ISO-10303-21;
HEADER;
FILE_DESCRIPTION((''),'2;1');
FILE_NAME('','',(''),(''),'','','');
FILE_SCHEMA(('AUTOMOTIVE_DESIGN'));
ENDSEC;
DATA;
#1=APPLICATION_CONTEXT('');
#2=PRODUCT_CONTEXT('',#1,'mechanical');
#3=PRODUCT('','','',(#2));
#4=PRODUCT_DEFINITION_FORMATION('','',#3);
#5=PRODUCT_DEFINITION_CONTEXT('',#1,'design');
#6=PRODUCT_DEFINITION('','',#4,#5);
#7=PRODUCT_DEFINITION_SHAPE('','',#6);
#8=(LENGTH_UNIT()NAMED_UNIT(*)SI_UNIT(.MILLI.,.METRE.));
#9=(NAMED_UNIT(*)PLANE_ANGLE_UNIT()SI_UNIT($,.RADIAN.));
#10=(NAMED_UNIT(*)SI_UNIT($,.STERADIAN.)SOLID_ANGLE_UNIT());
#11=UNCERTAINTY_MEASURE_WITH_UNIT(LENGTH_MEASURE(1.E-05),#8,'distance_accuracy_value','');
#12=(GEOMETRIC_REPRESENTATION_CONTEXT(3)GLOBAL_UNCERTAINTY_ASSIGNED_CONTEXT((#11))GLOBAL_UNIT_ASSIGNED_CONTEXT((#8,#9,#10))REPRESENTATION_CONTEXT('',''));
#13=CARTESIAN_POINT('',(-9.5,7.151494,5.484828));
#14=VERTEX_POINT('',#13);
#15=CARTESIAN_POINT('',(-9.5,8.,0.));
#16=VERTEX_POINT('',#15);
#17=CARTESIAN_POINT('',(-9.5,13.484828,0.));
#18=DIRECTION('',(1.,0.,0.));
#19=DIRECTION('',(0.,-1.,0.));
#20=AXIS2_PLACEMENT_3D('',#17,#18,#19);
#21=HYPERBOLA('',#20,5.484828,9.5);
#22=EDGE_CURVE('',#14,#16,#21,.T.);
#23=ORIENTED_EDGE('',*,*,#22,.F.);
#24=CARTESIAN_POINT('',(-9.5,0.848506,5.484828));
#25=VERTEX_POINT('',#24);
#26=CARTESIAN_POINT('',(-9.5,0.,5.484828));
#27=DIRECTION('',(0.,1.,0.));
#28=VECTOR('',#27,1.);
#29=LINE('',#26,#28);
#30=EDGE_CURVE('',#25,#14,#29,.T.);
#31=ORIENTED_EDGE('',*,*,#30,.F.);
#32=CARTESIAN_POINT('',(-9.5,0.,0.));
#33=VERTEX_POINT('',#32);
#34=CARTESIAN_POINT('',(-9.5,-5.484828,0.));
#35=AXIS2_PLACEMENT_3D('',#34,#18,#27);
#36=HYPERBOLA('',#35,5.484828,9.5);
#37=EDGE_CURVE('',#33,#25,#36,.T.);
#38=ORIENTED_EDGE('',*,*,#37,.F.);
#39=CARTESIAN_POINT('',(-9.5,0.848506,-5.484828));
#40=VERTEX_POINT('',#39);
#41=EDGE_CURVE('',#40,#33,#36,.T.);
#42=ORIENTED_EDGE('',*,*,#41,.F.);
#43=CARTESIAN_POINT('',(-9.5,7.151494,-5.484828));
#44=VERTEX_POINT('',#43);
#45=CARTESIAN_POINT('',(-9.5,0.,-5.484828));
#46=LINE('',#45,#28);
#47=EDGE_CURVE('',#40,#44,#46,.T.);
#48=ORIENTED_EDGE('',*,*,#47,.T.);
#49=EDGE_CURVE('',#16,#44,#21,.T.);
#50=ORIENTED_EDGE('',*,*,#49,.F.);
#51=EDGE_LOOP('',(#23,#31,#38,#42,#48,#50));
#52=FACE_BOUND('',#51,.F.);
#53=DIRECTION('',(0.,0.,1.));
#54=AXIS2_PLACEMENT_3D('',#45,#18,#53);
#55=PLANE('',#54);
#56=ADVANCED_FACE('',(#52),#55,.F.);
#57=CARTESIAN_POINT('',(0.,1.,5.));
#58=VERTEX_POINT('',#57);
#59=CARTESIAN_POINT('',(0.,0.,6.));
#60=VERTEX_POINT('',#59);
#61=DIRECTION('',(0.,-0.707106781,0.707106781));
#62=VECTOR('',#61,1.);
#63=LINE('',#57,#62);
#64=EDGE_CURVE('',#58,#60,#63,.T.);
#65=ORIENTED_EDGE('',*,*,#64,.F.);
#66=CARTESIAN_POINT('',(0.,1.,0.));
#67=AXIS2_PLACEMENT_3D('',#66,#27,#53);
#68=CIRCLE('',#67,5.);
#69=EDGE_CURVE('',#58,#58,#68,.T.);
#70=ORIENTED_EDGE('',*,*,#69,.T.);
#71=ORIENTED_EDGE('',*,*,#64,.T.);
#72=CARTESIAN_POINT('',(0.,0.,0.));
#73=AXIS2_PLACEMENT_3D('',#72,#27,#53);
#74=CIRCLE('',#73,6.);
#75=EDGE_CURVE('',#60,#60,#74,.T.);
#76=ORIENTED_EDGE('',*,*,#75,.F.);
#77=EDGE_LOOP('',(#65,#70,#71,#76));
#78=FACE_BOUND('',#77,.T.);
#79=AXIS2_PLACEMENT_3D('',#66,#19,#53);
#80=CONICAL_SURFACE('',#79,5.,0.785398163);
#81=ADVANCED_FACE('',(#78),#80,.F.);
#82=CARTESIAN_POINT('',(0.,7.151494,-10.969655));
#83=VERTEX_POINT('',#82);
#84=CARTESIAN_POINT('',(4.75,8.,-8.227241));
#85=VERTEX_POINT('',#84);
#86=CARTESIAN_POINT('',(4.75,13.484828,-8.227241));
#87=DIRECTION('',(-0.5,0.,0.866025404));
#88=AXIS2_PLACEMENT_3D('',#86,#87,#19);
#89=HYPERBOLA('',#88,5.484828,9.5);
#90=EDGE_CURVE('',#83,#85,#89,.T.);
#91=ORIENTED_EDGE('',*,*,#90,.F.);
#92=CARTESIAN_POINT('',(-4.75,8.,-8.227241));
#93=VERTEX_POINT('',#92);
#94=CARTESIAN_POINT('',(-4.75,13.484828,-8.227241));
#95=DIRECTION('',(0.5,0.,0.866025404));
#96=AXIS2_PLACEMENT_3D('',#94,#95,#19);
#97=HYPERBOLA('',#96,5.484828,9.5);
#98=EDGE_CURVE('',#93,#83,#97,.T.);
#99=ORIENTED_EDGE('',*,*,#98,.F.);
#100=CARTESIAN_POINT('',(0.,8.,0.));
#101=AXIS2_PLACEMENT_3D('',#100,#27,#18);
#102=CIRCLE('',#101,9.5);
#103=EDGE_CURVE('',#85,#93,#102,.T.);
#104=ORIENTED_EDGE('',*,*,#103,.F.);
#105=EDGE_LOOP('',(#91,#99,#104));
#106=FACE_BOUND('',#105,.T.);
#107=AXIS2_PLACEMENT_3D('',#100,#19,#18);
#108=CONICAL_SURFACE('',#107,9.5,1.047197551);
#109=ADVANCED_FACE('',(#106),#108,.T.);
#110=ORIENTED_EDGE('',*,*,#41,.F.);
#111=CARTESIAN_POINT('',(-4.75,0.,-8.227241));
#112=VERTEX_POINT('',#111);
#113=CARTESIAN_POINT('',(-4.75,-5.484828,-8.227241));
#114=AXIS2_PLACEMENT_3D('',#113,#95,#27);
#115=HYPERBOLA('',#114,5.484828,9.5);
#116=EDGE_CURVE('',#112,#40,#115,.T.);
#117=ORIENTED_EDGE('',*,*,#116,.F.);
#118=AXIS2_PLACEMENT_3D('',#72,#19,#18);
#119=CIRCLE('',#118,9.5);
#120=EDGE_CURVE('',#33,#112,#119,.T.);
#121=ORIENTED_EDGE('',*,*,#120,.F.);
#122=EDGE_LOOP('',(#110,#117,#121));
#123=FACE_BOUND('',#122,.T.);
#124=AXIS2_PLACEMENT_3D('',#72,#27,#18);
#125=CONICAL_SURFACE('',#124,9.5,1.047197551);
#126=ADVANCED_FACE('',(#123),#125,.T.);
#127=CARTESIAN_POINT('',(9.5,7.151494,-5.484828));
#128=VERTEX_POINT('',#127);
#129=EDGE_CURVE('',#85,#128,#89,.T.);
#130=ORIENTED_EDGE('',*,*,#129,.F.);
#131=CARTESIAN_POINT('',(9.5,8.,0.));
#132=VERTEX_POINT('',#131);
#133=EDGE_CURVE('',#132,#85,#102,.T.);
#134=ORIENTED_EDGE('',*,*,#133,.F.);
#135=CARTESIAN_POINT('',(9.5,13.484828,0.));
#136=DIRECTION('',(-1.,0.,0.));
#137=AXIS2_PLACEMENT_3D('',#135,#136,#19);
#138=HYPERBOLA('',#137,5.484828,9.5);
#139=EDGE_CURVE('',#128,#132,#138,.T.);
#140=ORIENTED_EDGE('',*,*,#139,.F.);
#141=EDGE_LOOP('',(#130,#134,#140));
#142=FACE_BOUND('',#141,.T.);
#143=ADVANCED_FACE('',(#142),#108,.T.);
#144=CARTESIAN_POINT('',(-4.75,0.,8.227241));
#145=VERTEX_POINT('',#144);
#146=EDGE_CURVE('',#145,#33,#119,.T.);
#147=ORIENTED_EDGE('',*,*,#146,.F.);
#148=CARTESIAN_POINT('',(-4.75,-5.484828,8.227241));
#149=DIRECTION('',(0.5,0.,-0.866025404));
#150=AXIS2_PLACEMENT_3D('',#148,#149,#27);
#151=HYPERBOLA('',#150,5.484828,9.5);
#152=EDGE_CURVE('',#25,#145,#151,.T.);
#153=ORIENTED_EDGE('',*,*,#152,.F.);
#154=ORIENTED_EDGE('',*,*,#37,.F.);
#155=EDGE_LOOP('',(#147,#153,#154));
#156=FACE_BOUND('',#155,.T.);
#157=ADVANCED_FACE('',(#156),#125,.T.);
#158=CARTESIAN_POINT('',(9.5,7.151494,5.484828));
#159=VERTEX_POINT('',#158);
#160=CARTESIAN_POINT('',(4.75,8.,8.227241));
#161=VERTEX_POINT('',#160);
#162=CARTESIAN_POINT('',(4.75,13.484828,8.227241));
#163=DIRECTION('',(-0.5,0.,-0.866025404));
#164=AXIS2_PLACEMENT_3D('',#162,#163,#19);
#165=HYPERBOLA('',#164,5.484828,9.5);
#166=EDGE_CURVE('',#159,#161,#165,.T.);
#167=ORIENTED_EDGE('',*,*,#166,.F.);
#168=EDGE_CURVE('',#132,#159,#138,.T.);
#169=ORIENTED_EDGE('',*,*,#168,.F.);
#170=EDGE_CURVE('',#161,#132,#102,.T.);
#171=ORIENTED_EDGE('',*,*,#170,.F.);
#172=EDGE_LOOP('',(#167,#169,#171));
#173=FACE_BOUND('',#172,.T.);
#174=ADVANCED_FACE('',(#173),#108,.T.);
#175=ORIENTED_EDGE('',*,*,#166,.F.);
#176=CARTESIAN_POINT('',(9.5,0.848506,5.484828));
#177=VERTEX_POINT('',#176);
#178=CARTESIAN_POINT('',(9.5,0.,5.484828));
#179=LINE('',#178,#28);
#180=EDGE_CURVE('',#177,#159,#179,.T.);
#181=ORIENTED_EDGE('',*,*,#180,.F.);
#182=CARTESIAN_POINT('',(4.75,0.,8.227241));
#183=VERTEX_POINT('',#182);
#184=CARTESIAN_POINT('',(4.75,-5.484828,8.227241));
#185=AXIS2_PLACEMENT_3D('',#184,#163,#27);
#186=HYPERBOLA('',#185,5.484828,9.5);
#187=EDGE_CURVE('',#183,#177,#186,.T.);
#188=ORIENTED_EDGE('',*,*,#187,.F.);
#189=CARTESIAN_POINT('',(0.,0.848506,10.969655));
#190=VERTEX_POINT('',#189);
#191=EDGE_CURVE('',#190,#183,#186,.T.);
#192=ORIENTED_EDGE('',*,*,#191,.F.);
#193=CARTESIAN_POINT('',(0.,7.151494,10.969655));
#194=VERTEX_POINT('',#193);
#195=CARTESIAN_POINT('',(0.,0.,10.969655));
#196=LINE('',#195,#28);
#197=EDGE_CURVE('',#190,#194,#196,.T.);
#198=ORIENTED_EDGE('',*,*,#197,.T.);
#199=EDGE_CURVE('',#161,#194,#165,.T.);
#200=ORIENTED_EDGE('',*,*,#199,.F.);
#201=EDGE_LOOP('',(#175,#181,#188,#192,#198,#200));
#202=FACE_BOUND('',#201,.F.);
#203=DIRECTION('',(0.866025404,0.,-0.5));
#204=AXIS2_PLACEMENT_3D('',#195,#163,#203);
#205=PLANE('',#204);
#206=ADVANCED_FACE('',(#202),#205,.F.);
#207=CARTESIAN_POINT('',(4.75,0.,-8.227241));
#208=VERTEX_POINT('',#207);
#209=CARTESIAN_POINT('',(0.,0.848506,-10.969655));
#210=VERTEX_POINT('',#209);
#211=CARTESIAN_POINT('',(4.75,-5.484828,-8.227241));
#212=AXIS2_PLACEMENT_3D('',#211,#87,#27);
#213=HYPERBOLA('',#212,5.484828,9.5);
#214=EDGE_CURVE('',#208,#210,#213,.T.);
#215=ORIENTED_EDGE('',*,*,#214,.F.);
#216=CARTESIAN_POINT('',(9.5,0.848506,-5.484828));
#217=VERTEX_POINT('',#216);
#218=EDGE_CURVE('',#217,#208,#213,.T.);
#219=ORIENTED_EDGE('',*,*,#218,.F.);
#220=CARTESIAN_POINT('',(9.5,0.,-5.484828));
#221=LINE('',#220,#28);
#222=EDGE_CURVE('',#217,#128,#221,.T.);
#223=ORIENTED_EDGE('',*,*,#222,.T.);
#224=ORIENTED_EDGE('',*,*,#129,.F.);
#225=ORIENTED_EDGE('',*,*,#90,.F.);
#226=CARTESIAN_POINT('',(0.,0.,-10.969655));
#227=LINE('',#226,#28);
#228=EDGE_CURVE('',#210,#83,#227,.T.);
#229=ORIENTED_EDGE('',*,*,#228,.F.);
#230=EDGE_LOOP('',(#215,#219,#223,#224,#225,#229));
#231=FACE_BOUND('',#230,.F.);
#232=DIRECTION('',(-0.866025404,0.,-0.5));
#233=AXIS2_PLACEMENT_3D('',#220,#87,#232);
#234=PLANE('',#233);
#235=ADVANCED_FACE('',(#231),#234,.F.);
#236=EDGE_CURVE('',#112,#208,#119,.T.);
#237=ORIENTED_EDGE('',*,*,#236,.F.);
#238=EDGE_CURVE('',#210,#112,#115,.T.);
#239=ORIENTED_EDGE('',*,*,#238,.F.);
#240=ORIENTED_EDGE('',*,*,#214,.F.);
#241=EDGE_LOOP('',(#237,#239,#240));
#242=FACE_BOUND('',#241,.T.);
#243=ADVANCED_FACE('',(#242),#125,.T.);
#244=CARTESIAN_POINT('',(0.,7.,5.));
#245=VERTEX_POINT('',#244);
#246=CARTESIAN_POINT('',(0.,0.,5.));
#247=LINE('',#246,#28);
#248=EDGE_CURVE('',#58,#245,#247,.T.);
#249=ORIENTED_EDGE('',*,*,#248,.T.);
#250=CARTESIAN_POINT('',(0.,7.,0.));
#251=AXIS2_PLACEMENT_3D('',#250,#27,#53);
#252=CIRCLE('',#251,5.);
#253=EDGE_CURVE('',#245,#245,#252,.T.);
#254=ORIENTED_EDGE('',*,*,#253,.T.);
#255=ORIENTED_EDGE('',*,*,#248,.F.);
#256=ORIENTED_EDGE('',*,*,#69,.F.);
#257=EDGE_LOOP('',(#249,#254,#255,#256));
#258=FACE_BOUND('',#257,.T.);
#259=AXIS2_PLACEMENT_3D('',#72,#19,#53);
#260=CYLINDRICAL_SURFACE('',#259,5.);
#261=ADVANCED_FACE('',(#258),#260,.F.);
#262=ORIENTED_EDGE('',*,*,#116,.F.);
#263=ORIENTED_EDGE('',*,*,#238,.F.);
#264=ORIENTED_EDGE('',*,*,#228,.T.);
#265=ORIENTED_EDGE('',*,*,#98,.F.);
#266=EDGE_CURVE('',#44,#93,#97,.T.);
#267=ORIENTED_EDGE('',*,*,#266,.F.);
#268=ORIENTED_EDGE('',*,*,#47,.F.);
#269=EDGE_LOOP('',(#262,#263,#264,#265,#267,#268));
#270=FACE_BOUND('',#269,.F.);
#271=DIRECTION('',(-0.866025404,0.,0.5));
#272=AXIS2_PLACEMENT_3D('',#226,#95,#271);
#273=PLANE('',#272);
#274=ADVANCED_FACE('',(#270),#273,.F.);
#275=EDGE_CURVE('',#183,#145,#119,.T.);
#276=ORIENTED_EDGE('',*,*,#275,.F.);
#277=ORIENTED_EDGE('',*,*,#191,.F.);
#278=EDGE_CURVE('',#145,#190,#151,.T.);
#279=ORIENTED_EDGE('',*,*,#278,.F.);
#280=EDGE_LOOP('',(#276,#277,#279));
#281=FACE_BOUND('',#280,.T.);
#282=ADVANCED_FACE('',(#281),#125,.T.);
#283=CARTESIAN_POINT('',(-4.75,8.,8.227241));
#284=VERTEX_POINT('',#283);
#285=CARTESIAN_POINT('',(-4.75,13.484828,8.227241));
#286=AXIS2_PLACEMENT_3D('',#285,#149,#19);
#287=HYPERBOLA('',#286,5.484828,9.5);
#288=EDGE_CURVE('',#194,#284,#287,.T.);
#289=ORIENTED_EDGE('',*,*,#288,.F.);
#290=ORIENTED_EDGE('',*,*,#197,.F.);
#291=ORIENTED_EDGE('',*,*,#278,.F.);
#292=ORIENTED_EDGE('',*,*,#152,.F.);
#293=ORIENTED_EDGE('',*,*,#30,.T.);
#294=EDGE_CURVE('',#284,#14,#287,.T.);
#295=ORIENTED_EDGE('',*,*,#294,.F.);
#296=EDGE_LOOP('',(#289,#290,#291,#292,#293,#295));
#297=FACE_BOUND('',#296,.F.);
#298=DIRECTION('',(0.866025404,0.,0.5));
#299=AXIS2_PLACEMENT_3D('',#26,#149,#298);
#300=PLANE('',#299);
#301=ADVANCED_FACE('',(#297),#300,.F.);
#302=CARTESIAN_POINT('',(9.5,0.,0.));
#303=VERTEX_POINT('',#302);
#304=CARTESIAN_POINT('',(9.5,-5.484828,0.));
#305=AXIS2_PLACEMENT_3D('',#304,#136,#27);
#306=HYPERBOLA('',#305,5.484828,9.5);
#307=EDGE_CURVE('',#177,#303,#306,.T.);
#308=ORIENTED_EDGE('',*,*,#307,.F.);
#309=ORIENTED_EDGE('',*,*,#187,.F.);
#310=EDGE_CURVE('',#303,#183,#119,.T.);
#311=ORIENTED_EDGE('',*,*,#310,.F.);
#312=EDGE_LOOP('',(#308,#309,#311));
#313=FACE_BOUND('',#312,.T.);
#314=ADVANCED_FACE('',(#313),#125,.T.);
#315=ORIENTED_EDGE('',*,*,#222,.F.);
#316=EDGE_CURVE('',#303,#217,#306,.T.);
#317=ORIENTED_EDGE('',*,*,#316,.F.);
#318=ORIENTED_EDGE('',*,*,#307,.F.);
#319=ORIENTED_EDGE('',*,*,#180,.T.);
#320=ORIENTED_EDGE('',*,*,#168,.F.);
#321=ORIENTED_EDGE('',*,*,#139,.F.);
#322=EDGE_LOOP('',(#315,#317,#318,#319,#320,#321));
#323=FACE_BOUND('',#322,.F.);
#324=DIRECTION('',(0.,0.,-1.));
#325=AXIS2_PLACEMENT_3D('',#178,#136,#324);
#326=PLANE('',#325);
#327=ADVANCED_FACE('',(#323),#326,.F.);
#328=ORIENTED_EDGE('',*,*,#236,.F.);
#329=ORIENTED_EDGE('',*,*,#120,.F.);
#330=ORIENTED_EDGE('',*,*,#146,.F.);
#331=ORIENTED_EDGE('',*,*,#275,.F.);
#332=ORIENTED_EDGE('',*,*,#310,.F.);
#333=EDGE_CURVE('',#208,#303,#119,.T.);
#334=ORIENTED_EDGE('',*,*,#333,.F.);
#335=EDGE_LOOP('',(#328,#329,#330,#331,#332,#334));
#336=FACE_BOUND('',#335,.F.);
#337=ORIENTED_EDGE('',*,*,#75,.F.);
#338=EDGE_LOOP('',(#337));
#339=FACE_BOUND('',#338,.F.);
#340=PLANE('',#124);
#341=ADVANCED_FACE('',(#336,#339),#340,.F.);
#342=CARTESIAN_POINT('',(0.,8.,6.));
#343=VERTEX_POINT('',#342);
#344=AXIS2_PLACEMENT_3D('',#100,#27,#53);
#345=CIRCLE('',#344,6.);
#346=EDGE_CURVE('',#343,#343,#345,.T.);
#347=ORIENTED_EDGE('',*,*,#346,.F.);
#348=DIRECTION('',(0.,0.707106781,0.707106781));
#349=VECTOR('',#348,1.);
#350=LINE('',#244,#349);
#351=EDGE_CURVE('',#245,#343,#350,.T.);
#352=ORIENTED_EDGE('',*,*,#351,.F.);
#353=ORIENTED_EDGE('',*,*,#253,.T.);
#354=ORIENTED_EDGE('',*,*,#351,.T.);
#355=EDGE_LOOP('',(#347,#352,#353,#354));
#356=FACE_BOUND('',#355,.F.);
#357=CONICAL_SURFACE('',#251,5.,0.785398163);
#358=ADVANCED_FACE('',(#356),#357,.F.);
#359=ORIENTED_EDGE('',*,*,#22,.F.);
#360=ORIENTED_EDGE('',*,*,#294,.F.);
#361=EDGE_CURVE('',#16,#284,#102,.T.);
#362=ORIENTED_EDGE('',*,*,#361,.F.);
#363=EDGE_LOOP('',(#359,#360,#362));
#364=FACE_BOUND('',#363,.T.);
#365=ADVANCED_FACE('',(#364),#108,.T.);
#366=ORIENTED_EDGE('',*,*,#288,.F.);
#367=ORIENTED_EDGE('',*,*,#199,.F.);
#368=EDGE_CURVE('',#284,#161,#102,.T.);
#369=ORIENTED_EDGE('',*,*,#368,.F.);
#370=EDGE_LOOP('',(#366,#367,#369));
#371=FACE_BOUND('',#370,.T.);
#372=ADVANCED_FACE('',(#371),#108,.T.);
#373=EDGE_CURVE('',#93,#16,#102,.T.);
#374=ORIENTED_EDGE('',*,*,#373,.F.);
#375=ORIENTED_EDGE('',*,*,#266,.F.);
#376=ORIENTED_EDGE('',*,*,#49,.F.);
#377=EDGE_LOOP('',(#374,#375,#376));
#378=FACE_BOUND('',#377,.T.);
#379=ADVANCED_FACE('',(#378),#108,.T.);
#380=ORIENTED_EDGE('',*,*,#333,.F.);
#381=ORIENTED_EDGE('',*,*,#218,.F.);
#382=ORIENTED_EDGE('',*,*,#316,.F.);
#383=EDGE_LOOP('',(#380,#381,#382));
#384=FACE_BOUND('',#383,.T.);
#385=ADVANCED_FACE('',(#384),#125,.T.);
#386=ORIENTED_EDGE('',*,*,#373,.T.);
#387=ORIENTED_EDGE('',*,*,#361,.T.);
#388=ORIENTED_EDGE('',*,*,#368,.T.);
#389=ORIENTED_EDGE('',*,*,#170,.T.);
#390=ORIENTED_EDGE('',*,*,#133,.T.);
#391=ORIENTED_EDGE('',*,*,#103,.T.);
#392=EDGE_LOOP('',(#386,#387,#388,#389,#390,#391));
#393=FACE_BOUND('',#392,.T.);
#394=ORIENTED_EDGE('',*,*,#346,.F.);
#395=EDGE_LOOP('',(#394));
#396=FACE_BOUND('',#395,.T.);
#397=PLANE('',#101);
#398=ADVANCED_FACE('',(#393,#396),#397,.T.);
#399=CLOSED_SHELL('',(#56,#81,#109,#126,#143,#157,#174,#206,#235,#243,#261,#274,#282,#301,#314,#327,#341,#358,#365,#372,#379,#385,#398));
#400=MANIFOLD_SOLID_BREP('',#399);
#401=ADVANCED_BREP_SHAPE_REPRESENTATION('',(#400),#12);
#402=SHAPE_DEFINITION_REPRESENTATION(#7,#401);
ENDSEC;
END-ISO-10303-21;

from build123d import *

# Parameters (mm, degrees)
SKETCH1_R           = 5
BOSS_EXTRUDE1_DEPTH = 8
CHAMFER1_SIZE       = 1
SKETCH2_OUTSIDE_W   = 54.734
SKETCH2_OUTSIDE_H   = 57.674
SKETCH2_OUTSIDE_R   = 9.5
CUT_EXTRUDE1_DEPTH  = 8
CUT_EXTRUDE1_DRAFT  = -60
SKETCH3_OUTSIDE_W   = 54.734
SKETCH3_OUTSIDE_H   = 57.674
SKETCH3_OUTSIDE_R   = 9.5
CUT_EXTRUDE2_DEPTH  = 8
CUT_EXTRUDE2_DRAFT  = -60


with BuildPart() as part:
    # Sketch1 → Boss-Extrude1 (new body)
    with BuildSketch(Plane(origin=(0, 0, 0), x_dir=(1, 0, 0), z_dir=(0, 1, 0))):
        Polygon((9.5, -5.484827557), (9.5, 5.484827557), (0, 10.969655115), (-9.5, 5.484827557), (-9.5, -5.484827557), (0, -10.969655115), align=None)
        with Locations(Location((0, 0, 0), (0, 0, 270))):
            Circle(SKETCH1_R, mode=Mode.SUBTRACT)
    extrude(amount=BOSS_EXTRUDE1_DEPTH)

    # Chamfer1
    chamfer1_edges = [part.edges().sort_by_distance(p)[0] for p in [
        (0, 0, -5),
        (0, 8, -5),
    ]]
    chamfer(chamfer1_edges, length=CHAMFER1_SIZE)


with BuildPart() as cut_extrude1_tool:
    # Sketch2 outside → Cut-Extrude1 (with draft: the straight prism first)
    with BuildSketch(Plane(origin=(0, 8, 0), x_dir=(1, 0, 0), z_dir=(0, 1, 0))):
        Rectangle(SKETCH2_OUTSIDE_W, SKETCH2_OUTSIDE_H)
        Circle(SKETCH2_OUTSIDE_R, mode=Mode.SUBTRACT)
    extrude(amount=-CUT_EXTRUDE1_DEPTH)
    # Cut-Extrude1: the draft: its side faces are tilted about the plane it starts from
    cut_extrude1_sides = [cut_extrude1_tool.faces().sort_by_distance(p)[0] for p in [
        (0, 4, 28.837),
        (27.367, 4, 0),
        (0, 4, -28.837),
        (-27.367, 4, 0),
        (-9.5, 4, 0),
    ]]
    draft(cut_extrude1_sides, Plane(origin=(0, 8, 0), x_dir=(1, 0, 0), z_dir=(0, 1, 0)), CUT_EXTRUDE1_DRAFT)


with BuildPart() as part_1:
    add(part.part)

    # Cut-Extrude1: cut by cut_extrude1_tool
    add(cut_extrude1_tool.part, mode=Mode.SUBTRACT)


with BuildPart() as cut_extrude2_tool:
    # Sketch3 outside → Cut-Extrude2 (with draft: the straight prism first)
    with BuildSketch(Plane.XZ):
        Rectangle(SKETCH3_OUTSIDE_W, SKETCH3_OUTSIDE_H)
        Circle(SKETCH3_OUTSIDE_R, mode=Mode.SUBTRACT)
    extrude(amount=-CUT_EXTRUDE2_DEPTH)
    # Cut-Extrude2: the draft: its side faces are tilted about the plane it starts from
    cut_extrude2_sides = [cut_extrude2_tool.faces().sort_by_distance(p)[0] for p in [
        (0, 4, -28.837),
        (27.367, 4, 0),
        (0, 4, 28.837),
        (-27.367, 4, 0),
        (-9.5, 4, 0),
    ]]
    draft(cut_extrude2_sides, Plane.XZ, CUT_EXTRUDE2_DRAFT)


with BuildPart() as part_2:
    add(part_1.part)

    # Cut-Extrude2: cut by cut_extrude2_tool
    add(cut_extrude2_tool.part, mode=Mode.SUBTRACT)


solid = part_2.part
